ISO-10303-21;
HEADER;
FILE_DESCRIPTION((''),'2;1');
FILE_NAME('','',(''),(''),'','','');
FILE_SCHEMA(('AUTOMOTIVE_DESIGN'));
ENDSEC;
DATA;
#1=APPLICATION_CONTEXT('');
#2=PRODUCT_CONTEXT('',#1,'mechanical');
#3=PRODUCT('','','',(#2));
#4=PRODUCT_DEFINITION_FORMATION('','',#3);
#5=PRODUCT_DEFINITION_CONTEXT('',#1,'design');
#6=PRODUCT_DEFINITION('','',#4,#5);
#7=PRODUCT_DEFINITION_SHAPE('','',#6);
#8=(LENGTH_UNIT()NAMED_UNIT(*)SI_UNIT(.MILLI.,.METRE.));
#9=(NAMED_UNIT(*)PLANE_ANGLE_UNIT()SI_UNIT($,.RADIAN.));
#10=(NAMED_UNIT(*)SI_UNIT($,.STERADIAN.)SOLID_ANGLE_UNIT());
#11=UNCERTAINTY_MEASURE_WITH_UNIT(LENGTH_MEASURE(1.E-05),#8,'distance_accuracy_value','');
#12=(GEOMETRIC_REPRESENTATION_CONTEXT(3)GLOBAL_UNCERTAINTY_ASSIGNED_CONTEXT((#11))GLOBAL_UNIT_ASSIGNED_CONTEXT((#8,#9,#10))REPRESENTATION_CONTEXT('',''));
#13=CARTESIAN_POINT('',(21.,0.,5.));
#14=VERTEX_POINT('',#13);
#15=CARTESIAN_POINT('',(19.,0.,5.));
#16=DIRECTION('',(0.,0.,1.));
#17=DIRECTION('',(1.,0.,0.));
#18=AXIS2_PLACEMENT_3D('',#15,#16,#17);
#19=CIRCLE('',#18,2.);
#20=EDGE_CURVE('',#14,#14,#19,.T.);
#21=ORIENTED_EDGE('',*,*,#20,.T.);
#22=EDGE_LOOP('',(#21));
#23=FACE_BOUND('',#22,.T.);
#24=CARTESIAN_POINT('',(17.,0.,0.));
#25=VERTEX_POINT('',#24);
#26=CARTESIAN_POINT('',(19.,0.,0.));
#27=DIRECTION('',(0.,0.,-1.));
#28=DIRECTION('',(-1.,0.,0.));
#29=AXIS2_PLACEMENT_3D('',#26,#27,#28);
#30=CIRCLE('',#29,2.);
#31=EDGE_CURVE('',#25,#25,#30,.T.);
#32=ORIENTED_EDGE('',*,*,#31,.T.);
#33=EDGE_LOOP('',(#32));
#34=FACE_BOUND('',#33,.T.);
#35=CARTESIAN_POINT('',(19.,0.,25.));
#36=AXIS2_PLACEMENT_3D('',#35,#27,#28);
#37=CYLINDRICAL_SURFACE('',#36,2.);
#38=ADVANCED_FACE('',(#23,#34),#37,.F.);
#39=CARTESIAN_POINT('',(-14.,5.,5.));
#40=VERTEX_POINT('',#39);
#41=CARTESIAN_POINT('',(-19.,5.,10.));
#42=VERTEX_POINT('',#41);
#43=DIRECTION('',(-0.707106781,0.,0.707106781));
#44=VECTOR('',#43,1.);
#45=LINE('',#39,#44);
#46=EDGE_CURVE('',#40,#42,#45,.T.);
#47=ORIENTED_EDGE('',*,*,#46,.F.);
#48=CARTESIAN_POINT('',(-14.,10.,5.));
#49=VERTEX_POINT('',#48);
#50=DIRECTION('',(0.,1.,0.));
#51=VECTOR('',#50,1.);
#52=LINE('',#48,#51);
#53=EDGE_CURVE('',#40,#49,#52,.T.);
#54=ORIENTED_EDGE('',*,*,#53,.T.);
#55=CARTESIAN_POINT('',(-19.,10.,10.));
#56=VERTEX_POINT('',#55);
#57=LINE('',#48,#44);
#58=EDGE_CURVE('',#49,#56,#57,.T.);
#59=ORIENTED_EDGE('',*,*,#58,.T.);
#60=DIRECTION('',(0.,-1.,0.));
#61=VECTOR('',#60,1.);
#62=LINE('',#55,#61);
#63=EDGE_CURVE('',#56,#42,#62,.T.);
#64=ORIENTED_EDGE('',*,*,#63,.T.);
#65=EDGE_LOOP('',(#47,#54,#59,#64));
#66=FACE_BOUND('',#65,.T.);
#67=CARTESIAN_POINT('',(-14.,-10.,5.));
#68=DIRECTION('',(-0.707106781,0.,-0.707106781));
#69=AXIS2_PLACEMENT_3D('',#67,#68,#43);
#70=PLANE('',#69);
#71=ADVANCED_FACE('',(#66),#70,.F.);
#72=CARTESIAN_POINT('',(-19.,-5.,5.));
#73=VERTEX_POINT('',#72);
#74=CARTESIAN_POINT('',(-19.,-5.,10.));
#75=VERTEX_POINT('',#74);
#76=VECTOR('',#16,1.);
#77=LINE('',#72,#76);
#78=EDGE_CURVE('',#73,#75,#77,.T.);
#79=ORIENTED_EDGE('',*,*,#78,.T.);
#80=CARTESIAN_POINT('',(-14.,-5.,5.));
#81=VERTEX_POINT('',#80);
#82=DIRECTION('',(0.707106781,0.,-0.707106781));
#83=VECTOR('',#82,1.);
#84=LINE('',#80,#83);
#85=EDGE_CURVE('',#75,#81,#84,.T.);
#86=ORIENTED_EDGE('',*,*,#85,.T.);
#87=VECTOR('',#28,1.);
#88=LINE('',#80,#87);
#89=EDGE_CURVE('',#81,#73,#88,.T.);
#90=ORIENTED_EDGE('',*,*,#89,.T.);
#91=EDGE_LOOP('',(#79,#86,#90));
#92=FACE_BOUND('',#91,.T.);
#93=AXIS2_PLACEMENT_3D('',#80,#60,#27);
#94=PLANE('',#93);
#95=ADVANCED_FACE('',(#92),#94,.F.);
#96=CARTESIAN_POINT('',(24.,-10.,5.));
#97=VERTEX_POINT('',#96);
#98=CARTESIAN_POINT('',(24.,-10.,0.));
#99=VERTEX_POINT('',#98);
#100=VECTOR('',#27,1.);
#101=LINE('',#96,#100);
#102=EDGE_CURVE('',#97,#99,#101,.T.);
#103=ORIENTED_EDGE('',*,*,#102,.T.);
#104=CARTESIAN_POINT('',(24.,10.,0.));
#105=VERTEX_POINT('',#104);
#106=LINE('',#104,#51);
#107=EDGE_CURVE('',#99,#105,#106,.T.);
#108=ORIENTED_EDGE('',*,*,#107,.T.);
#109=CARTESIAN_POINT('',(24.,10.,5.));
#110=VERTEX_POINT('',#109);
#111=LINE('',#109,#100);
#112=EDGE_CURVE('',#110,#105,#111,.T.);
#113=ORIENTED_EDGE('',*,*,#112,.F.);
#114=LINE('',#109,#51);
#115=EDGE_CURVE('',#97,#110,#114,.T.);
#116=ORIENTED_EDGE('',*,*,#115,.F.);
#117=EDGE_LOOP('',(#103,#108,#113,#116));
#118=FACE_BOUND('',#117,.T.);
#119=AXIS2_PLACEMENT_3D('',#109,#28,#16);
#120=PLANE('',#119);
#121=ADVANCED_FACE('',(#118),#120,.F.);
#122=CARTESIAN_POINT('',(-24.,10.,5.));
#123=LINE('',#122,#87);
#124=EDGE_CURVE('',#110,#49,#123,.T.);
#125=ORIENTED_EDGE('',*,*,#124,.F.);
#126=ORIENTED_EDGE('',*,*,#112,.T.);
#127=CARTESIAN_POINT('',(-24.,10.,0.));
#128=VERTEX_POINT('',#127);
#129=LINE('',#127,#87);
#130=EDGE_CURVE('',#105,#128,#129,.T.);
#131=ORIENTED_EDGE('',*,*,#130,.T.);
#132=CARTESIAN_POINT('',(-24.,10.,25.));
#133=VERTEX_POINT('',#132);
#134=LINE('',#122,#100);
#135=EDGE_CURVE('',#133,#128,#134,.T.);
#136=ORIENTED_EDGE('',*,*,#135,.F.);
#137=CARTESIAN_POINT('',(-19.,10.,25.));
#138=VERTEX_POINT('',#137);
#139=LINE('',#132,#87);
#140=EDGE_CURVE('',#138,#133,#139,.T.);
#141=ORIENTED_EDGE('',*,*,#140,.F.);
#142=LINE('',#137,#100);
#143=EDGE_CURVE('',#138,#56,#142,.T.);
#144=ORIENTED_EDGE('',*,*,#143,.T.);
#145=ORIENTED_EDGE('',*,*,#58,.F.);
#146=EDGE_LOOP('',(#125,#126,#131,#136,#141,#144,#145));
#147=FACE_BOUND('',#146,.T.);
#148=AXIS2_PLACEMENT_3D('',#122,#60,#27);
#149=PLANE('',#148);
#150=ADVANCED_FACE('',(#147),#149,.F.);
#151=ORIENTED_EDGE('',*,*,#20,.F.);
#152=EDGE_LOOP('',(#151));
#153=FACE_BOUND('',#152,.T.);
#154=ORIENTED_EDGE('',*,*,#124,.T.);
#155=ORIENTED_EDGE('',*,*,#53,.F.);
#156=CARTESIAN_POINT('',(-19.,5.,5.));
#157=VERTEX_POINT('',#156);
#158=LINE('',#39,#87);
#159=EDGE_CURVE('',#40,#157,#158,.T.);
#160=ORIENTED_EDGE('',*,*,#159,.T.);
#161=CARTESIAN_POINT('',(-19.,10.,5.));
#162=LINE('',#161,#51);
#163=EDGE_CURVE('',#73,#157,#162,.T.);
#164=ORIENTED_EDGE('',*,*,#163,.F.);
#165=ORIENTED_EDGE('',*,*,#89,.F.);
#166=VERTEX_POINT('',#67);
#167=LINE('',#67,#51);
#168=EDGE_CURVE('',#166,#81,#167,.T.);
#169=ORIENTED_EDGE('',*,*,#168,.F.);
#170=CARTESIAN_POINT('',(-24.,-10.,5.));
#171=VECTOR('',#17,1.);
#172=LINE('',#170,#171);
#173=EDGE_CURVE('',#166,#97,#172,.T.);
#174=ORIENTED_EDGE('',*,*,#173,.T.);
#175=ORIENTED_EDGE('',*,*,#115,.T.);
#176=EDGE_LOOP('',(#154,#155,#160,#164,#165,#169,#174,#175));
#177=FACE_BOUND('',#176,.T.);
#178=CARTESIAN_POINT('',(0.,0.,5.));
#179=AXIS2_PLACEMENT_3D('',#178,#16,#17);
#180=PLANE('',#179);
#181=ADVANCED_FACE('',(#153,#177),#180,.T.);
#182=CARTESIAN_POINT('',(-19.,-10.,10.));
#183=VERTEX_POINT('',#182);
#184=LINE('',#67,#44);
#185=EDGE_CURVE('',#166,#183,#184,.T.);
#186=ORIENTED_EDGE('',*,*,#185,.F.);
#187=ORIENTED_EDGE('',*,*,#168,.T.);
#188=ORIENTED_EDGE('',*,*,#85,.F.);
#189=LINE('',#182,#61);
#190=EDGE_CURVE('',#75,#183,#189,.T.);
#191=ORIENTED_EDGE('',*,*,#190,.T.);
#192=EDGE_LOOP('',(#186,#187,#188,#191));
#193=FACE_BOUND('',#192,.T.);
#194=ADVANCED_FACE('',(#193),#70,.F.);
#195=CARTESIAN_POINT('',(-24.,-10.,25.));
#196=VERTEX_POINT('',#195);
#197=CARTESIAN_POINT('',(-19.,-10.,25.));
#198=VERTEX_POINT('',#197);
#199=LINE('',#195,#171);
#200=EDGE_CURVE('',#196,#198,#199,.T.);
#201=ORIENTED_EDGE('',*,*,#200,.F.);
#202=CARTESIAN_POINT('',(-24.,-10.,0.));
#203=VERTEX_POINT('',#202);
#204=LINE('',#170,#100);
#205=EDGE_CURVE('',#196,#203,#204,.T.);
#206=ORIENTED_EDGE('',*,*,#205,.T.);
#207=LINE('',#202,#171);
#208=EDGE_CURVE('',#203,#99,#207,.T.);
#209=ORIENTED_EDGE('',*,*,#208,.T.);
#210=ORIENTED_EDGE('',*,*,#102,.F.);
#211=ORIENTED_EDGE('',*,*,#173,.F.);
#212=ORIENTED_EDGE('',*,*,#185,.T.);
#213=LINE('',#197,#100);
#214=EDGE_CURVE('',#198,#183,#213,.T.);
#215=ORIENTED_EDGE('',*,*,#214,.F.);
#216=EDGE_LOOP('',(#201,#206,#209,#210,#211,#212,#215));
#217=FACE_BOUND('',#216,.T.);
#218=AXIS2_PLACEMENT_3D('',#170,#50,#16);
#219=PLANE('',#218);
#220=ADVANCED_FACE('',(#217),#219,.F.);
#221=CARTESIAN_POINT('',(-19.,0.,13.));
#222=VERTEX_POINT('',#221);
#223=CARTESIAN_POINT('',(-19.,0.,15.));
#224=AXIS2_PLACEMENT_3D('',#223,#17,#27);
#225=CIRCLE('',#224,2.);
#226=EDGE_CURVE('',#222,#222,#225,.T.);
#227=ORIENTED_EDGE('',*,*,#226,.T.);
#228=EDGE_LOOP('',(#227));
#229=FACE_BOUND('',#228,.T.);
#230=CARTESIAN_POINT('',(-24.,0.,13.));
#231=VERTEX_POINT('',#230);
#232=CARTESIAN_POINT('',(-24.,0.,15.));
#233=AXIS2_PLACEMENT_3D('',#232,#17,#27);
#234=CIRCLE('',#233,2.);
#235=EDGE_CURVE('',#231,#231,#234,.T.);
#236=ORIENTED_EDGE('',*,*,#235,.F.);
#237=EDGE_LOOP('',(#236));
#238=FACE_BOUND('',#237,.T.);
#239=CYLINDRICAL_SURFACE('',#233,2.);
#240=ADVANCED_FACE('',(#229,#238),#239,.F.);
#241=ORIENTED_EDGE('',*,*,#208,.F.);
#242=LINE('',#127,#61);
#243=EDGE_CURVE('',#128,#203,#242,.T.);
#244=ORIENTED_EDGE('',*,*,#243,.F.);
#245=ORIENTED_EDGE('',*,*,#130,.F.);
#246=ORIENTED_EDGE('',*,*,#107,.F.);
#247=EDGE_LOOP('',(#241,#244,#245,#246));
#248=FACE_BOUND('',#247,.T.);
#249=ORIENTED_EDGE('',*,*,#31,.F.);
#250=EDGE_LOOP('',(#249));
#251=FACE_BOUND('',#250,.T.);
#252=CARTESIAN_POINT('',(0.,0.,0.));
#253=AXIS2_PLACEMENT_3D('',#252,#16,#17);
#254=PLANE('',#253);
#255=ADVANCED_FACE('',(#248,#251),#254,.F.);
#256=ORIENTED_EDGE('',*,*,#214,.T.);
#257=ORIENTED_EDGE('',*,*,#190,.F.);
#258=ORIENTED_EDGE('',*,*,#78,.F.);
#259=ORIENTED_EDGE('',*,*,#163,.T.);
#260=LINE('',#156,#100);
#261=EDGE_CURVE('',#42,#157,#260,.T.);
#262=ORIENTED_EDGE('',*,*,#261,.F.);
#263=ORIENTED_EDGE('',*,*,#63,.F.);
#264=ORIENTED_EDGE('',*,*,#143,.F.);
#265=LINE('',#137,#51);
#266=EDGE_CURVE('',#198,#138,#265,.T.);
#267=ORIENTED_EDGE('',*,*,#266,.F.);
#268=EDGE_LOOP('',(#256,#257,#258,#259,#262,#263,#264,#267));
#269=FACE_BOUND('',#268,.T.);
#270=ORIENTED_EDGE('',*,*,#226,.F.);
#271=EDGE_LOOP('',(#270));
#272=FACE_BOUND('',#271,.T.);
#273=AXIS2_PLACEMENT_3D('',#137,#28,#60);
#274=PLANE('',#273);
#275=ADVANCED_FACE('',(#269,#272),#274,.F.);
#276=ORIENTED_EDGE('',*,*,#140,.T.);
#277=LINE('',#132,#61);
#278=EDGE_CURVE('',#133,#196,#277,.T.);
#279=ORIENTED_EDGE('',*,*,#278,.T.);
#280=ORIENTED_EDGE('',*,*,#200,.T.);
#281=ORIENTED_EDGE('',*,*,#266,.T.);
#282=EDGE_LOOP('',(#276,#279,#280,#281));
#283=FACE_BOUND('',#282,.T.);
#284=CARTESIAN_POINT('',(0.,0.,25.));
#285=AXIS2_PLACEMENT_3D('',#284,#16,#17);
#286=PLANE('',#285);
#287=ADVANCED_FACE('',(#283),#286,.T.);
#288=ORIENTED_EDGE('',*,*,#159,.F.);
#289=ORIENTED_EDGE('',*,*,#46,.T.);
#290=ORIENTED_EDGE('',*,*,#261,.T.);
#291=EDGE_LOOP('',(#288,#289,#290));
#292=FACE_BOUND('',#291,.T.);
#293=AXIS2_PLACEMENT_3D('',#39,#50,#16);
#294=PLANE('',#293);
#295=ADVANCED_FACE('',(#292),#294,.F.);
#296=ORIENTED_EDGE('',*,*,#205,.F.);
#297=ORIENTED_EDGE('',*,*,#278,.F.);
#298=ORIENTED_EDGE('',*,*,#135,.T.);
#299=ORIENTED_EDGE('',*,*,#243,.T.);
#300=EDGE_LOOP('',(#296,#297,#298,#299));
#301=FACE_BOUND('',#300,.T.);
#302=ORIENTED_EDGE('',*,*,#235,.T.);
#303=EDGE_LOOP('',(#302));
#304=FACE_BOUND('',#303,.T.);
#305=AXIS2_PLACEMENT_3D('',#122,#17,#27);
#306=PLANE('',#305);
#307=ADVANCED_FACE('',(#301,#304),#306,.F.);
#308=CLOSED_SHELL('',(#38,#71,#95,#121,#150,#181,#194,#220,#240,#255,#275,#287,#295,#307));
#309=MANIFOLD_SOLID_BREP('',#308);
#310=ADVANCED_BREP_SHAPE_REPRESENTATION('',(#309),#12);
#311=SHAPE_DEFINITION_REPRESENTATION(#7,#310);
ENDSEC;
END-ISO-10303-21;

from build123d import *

# Parameters (mm, degrees)
SKETCH1_W           = 48
SKETCH1_H           = 20
BOSS_EXTRUDE1_DEPTH = 5
SKETCH2_W           = 5
SKETCH2_H           = 20
BOSS_EXTRUDE2_DEPTH = 20
SKETCH3_R           = 2
CUT_EXTRUDE1_DEPTH  = 51.734603576
SKETCH5_W           = 5
SKETCH5_H           = 5
BOSS_EXTRUDE3_DEPTH = 5
CUT_EXTRUDE3_DEPTH  = 41.012498047
SKETCH7_R           = 2
CUT_EXTRUDE4_DEPTH  = 37.069377594


with BuildPart() as part:
    # Sketch1 → Boss-Extrude1 (new body)
    with BuildSketch(Plane.XY):
        Rectangle(SKETCH1_W, SKETCH1_H)
    extrude(amount=BOSS_EXTRUDE1_DEPTH)

    # Sketch2 → Boss-Extrude2 (add)
    with BuildSketch(Plane.XY.offset(5)):
        with Locations((-21.5, 0)):
            Rectangle(SKETCH2_W, SKETCH2_H)
    extrude(amount=BOSS_EXTRUDE2_DEPTH)

    # Sketch3 → Cut-Extrude1 (cut, through all)
    with BuildSketch(Plane(origin=(-19, 0, 0), x_dir=(0, 0, -1), z_dir=(1, 0, 0))):
        with Locations((-15, 0)):
            Circle(SKETCH3_R)
    extrude(amount=-CUT_EXTRUDE1_DEPTH, mode=Mode.SUBTRACT)

    # Sketch5 → Boss-Extrude3 (add)
    with BuildSketch(Plane(origin=(-19, 0, 0), x_dir=(0, 0, -1), z_dir=(1, 0, 0))):
        with Locations((-7.5, -7.5)):
            Rectangle(SKETCH5_W, SKETCH5_H)
        with Locations((-7.5, 7.5)):
            Rectangle(SKETCH5_W, SKETCH5_H)
    extrude(amount=BOSS_EXTRUDE3_DEPTH)

    # Sketch6 → Cut-Extrude3 (cut, through all)
    with BuildSketch(Plane(origin=(0, 10, 0), x_dir=(1, 0, 0), z_dir=(0, 1, 0))):
        Polygon((-14, -5), (-19, -10), (-14, -10), align=None)
    extrude(amount=-CUT_EXTRUDE3_DEPTH, mode=Mode.SUBTRACT)

    # Sketch7 → Cut-Extrude4 (cut, through all)
    with BuildSketch(Plane(origin=(0, 0, 0), x_dir=(-1, 0, 0), z_dir=(0, 0, -1))):
        with Locations((-19, 0)):
            Circle(SKETCH7_R)
    extrude(amount=-CUT_EXTRUDE4_DEPTH, mode=Mode.SUBTRACT)


solid = part.part
